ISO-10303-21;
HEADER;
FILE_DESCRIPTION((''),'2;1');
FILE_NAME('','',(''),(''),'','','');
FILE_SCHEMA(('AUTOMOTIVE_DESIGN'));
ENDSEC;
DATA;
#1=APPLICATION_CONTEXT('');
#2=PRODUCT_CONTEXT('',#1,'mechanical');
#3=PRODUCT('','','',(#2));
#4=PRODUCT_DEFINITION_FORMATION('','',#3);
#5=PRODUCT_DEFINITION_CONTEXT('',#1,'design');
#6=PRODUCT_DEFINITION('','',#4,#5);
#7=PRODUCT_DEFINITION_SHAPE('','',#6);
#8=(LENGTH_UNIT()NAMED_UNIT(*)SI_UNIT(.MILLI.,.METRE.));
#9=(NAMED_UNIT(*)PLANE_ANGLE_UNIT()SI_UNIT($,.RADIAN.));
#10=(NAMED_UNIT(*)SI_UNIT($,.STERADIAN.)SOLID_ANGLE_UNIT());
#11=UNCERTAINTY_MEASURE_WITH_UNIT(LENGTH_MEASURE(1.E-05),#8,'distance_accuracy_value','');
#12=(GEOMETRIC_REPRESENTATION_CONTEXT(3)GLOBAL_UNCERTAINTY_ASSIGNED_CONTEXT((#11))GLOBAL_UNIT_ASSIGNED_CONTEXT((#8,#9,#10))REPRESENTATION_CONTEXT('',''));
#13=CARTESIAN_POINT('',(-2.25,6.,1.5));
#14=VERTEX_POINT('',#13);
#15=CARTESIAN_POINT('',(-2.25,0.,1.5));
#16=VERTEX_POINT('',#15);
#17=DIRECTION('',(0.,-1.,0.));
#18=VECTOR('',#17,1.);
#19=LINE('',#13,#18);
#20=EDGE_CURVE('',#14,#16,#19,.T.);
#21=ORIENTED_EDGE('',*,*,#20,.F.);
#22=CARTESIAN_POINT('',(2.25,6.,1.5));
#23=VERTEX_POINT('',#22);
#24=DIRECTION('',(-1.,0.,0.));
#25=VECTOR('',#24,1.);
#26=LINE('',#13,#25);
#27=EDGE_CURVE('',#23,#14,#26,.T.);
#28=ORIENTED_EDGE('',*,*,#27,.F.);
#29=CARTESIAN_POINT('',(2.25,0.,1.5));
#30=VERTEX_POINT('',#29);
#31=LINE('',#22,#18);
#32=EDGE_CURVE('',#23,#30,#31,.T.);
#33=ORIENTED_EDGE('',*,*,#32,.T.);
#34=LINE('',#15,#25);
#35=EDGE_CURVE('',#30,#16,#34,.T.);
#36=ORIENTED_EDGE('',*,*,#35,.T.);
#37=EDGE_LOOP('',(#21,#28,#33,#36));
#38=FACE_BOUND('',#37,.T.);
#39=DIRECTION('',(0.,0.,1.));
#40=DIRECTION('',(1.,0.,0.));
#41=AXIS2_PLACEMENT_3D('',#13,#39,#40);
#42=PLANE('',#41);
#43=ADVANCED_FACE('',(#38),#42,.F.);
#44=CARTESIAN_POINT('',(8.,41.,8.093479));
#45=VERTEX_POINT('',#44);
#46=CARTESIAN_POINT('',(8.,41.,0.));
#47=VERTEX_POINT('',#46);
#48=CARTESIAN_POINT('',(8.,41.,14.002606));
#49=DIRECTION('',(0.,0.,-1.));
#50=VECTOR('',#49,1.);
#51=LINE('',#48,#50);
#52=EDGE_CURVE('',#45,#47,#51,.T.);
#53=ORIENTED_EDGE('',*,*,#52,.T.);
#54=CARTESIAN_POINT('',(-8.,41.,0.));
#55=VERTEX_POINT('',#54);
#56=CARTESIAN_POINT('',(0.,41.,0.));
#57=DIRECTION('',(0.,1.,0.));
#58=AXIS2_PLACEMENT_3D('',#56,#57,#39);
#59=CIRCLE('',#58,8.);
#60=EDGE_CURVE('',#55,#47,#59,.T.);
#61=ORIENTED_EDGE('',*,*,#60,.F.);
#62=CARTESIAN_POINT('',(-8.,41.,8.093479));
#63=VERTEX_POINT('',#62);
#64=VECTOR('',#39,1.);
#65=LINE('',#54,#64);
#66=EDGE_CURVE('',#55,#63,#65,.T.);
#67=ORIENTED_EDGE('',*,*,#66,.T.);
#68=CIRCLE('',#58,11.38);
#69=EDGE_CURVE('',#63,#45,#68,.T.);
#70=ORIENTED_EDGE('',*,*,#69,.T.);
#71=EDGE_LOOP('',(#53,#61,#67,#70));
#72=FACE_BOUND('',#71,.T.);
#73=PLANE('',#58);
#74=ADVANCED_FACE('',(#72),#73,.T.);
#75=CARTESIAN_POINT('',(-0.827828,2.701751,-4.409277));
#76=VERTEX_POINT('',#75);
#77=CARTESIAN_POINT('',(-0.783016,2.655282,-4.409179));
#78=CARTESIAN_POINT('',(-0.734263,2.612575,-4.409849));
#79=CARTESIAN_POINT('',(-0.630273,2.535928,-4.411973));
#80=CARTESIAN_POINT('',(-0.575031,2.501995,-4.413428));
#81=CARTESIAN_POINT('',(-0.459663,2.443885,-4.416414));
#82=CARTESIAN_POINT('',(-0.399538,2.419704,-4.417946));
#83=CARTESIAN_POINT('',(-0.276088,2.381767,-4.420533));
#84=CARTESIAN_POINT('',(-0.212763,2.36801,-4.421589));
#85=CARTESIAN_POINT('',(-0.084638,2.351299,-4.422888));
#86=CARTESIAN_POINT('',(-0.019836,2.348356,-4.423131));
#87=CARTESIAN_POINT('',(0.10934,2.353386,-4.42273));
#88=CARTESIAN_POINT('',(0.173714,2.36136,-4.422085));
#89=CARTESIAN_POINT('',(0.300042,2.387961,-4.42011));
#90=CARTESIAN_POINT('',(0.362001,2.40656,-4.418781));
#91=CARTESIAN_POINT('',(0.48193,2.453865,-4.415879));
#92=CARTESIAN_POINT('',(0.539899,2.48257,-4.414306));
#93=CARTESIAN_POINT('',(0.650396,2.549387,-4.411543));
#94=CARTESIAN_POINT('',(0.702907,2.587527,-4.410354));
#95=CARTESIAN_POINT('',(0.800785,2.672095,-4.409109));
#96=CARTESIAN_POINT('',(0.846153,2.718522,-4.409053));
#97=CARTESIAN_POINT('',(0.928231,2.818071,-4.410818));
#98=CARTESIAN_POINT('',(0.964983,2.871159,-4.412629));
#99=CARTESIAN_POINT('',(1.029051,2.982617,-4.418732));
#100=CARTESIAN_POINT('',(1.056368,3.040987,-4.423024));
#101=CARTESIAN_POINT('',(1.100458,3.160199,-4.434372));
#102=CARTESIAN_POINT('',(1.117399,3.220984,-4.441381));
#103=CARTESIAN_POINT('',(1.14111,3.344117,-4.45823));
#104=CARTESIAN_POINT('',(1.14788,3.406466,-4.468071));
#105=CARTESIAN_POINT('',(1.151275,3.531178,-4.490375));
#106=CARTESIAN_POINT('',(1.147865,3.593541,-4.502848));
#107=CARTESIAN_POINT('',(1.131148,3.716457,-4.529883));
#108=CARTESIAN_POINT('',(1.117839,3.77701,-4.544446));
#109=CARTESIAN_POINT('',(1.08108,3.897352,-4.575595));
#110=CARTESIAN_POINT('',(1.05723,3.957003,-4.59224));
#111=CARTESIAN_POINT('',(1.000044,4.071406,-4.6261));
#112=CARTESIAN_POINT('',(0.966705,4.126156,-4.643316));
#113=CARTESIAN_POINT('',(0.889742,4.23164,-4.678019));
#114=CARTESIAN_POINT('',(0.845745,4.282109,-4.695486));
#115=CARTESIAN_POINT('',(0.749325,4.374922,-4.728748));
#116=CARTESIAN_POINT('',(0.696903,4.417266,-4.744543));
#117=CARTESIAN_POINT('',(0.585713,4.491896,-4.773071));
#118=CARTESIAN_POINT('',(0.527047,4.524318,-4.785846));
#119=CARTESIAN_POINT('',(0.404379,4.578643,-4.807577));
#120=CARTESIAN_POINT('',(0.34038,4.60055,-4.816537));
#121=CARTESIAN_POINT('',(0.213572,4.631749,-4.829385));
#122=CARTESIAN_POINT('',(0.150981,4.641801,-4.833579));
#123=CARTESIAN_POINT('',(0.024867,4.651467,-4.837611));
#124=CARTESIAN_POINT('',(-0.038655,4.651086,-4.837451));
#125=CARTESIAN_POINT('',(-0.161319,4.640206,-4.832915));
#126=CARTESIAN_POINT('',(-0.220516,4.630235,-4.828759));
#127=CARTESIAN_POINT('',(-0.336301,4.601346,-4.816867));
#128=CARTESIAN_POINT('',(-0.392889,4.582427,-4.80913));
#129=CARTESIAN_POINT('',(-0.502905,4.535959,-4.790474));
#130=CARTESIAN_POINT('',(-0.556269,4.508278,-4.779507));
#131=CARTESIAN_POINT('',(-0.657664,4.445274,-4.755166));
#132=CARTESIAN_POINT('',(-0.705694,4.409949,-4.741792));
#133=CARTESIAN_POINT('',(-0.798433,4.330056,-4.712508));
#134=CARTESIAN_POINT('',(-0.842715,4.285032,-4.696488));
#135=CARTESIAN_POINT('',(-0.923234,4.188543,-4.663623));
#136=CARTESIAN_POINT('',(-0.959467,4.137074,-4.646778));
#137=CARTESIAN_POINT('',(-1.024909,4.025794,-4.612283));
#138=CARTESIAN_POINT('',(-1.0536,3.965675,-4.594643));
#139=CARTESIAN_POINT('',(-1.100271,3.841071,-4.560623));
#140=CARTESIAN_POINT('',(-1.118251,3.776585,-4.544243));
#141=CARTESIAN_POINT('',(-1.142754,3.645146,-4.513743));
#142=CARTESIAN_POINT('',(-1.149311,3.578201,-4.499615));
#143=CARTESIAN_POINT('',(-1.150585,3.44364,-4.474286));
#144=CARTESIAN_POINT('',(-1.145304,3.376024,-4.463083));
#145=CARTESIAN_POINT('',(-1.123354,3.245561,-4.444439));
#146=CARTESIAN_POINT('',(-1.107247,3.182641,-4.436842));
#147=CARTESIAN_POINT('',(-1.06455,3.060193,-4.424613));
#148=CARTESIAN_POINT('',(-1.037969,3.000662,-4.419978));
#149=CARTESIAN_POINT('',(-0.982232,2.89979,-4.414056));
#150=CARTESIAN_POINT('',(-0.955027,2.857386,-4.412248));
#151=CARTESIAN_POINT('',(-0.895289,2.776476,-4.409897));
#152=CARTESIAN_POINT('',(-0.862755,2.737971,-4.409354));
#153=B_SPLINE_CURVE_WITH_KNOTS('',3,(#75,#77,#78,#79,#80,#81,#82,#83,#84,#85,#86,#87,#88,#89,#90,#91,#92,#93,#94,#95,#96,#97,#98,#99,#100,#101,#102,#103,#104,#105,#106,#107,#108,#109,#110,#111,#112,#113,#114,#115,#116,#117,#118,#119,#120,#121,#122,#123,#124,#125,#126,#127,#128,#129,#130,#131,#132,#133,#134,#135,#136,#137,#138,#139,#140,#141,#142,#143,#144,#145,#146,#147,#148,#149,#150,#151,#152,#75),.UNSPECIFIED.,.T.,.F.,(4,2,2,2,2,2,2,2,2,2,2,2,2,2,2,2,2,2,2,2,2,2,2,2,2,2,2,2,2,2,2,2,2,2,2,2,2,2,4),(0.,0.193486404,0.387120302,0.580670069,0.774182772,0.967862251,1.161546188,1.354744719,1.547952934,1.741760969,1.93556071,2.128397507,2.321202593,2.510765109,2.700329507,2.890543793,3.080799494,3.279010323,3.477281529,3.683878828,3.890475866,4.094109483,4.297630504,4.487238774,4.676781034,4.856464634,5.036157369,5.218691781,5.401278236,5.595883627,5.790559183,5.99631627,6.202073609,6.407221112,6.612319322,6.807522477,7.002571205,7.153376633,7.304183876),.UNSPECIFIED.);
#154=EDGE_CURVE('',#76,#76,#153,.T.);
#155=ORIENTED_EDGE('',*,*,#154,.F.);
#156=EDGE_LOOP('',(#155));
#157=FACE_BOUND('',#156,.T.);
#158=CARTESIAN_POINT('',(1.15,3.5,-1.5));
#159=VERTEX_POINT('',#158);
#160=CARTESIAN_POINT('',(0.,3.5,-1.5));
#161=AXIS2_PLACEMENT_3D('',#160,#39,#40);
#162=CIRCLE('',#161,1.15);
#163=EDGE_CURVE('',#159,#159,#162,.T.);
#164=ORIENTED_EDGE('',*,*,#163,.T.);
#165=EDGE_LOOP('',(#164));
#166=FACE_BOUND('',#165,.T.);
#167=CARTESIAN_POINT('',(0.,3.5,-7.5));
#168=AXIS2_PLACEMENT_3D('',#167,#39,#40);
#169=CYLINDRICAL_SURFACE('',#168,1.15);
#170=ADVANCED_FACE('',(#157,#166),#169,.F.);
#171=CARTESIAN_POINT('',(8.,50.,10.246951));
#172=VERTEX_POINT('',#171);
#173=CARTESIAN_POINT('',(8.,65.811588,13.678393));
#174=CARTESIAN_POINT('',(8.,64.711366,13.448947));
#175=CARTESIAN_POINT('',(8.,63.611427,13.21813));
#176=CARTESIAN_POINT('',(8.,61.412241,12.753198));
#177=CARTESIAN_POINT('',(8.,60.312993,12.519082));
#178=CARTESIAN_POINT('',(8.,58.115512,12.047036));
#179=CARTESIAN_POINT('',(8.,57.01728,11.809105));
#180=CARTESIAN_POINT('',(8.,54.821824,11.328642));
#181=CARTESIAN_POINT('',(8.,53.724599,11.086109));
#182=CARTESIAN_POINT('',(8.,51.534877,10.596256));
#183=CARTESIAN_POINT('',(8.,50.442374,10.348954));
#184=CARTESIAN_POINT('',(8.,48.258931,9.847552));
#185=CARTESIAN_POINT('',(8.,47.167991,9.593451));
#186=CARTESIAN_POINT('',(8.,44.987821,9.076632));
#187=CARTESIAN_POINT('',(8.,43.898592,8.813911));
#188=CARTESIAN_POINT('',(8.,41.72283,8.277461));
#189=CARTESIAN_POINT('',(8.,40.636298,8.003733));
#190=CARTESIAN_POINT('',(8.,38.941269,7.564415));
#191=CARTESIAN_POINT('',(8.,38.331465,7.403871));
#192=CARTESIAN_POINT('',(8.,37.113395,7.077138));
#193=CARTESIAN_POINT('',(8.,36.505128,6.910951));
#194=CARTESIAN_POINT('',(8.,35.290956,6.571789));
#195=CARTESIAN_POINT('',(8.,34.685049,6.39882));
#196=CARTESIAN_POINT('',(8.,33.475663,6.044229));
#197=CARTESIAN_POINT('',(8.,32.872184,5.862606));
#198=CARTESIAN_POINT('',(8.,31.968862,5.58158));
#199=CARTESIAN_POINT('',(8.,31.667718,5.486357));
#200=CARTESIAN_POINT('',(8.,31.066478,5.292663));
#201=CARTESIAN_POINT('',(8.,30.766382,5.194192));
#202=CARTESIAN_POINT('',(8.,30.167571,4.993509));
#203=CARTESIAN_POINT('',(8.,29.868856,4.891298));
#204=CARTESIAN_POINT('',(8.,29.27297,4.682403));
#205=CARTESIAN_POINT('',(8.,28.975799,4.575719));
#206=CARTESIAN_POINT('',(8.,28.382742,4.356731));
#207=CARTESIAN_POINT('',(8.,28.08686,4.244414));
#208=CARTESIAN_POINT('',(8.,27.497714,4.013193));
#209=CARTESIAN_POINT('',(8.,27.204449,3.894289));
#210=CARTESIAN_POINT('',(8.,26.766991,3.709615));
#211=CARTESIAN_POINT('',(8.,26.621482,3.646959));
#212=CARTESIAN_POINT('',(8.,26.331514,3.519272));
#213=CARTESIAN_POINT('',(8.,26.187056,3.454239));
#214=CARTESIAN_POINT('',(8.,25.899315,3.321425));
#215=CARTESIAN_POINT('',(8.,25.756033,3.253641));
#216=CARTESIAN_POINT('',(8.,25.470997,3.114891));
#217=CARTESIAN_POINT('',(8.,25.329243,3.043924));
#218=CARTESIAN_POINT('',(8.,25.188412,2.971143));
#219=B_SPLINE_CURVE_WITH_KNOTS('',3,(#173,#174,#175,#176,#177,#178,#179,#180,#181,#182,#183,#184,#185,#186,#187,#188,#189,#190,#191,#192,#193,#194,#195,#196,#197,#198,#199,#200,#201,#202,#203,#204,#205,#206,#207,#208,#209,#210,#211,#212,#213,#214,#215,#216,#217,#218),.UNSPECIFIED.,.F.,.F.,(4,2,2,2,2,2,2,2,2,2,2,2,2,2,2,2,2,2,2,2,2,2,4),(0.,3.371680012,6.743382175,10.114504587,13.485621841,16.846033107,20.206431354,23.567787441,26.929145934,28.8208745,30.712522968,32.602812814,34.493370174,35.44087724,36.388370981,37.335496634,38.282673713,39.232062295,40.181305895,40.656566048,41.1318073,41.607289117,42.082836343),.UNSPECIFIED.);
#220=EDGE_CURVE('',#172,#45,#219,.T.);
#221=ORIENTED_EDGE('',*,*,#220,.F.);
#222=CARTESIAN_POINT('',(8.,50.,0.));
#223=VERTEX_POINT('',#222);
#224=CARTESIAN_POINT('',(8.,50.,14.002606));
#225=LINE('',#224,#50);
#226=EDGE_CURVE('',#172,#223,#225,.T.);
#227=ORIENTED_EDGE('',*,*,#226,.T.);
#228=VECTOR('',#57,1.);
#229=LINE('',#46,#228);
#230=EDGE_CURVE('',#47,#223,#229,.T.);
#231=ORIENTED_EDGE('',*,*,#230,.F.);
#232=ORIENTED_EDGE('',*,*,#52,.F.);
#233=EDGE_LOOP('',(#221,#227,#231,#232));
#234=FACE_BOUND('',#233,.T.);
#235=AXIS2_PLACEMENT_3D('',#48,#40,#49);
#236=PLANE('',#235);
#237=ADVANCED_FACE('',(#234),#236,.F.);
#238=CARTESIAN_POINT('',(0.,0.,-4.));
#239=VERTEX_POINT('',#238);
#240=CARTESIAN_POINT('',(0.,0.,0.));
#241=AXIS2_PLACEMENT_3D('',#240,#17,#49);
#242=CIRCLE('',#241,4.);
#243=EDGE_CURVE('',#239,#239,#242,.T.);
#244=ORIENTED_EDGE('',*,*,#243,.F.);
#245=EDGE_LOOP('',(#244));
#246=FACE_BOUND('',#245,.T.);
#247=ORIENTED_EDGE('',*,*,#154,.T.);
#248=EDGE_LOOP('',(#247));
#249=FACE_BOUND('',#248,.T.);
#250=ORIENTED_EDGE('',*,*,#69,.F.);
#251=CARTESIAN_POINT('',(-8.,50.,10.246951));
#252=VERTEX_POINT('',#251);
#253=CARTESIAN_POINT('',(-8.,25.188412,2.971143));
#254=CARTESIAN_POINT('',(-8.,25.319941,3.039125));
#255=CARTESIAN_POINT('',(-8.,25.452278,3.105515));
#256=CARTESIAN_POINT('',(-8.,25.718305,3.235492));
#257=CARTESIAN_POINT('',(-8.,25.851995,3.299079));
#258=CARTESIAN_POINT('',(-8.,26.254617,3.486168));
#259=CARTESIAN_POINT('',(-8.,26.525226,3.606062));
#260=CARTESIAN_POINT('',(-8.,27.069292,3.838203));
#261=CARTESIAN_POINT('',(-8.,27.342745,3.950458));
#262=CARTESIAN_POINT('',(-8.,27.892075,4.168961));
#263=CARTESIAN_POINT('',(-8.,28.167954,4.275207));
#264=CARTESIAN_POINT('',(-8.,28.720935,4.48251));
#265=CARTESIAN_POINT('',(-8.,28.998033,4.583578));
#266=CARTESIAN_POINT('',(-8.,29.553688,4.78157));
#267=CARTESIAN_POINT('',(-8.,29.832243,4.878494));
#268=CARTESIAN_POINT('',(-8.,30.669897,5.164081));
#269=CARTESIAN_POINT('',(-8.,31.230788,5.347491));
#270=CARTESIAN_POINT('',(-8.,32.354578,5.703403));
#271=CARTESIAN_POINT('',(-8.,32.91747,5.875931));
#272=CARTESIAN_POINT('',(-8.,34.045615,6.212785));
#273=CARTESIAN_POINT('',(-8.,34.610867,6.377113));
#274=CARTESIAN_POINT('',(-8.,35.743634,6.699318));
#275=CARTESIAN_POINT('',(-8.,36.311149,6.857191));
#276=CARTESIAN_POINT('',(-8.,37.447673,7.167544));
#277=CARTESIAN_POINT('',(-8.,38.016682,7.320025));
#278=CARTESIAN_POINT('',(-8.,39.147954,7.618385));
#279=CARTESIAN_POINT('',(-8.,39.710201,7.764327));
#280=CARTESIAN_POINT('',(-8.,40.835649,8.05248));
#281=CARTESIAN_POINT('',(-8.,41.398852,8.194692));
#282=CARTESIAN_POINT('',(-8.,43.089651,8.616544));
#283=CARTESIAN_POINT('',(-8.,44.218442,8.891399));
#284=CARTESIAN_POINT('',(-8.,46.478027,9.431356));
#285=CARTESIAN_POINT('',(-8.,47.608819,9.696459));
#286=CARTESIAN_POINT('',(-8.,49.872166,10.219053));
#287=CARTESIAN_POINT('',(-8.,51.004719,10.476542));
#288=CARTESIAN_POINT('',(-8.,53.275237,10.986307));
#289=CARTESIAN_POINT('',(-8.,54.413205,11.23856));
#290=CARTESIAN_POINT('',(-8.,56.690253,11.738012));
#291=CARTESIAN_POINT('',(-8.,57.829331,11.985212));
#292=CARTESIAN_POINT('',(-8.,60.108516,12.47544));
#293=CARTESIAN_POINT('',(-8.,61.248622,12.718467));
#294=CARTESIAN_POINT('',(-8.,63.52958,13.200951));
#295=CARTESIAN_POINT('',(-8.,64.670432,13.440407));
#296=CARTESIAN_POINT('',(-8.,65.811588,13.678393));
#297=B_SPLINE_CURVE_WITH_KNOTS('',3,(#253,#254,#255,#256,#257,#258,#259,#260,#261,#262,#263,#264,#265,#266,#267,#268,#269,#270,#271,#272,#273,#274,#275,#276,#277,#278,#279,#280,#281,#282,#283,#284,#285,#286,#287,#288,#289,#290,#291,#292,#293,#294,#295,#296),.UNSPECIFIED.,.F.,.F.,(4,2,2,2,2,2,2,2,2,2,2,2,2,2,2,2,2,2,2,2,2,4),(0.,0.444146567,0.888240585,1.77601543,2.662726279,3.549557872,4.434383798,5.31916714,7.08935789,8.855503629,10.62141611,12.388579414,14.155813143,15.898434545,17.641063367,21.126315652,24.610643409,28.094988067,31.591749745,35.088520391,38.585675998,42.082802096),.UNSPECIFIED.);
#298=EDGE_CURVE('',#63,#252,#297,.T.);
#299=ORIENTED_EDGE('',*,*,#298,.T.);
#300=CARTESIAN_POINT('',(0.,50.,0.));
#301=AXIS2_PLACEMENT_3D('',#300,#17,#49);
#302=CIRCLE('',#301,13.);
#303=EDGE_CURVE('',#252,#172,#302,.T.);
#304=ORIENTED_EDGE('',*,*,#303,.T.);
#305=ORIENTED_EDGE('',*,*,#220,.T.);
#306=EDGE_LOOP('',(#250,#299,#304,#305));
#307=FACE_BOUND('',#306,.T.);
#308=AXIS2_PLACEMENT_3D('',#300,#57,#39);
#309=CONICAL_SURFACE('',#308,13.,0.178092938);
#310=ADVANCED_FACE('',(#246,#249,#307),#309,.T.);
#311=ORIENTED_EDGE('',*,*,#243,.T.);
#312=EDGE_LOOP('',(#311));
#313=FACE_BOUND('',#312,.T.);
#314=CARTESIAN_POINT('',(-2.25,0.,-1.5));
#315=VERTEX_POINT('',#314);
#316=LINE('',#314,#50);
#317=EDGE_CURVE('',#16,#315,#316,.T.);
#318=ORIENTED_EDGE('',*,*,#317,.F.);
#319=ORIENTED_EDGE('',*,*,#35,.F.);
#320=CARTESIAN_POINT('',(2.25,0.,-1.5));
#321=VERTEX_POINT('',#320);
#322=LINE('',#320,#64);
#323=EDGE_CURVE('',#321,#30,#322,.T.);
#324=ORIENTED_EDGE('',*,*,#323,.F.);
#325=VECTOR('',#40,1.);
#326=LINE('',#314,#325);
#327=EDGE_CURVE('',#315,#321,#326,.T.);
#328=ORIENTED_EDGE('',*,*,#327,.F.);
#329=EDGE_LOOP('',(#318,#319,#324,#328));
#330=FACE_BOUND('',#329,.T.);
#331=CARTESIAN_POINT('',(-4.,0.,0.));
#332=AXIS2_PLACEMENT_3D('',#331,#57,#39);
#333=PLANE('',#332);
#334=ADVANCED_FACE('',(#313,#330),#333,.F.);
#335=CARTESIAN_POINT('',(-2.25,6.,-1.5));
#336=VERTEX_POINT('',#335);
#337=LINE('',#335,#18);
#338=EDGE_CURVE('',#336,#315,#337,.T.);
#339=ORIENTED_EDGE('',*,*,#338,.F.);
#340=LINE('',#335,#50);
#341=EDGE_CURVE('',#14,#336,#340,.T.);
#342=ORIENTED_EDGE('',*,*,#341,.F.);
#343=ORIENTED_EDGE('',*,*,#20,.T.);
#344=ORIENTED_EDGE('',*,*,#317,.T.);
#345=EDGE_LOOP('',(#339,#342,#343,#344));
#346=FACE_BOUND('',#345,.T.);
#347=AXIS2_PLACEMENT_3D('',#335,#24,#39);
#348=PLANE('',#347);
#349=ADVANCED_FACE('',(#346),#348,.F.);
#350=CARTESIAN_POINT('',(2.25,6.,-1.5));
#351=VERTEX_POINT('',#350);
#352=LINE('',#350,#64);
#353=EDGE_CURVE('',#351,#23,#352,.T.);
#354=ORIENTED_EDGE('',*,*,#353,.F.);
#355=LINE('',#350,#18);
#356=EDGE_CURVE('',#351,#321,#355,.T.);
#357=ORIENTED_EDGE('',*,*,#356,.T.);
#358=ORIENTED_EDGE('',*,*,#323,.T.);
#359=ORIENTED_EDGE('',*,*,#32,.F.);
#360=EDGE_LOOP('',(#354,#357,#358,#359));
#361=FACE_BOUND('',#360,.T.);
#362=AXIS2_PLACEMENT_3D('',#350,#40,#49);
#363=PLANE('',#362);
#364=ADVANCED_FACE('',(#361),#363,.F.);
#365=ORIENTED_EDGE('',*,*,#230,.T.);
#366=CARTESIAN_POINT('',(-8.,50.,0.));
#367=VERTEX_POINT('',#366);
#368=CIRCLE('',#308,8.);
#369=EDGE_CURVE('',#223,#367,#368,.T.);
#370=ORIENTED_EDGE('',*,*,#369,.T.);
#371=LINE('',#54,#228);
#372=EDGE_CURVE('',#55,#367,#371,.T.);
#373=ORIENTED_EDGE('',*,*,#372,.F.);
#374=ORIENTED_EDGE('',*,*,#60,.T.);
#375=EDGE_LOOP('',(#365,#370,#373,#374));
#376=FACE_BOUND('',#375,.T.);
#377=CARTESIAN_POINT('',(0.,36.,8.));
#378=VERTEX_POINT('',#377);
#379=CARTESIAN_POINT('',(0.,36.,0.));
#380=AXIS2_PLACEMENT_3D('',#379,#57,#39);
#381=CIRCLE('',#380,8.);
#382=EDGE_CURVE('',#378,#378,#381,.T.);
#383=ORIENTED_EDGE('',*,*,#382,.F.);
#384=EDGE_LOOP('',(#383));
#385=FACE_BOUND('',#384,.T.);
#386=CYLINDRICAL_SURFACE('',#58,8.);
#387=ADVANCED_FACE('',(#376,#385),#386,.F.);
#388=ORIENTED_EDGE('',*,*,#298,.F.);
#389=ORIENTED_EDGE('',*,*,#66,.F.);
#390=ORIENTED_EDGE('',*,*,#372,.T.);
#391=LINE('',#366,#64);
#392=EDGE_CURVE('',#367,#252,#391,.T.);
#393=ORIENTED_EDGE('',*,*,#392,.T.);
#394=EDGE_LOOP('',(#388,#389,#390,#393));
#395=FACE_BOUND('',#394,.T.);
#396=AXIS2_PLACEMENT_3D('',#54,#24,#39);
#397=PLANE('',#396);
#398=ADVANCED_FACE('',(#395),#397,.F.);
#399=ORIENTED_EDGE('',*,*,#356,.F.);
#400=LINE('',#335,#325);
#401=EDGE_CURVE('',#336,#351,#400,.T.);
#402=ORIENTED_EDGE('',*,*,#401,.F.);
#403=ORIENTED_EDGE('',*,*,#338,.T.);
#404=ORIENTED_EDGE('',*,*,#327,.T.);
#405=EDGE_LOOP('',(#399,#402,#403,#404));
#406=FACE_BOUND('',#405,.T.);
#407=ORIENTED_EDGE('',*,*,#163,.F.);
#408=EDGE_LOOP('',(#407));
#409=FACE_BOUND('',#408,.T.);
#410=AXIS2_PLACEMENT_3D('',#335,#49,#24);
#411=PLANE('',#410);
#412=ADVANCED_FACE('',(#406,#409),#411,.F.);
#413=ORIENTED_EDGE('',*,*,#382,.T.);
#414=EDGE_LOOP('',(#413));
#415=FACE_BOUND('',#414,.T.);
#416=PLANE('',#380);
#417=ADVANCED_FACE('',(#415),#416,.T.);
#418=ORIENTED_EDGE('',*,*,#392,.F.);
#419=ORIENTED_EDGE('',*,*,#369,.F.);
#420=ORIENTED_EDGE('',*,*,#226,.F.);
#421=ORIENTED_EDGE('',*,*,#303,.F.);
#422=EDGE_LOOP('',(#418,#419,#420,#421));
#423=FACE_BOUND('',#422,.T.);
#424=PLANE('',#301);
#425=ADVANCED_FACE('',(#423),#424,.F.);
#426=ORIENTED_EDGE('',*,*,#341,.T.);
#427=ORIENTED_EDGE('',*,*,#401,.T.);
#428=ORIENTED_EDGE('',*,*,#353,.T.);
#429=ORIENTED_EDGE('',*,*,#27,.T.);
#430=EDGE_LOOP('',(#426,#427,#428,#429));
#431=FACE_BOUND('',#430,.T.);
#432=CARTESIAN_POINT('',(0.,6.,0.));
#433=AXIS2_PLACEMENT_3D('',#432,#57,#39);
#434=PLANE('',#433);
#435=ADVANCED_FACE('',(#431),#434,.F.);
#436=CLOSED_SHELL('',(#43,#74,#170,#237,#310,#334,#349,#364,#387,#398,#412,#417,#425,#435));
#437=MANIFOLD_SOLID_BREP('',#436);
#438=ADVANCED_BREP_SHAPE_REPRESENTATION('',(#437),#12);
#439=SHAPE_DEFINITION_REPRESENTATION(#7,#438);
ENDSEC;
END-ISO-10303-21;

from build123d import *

# Parameters (mm, degrees)
SKETCH2_W          = 4.5
SKETCH2_H          = 3
CUT_EXTRUDE1_DEPTH = 6
SKETCH3_R          = 1.15
CUT_EXTRUDE2_DEPTH = 6
CUT_EXTRUDE3_DEPTH = 9
SKETCH5_R          = 8
CUT_EXTRUDE4_DEPTH = 5


with BuildPart() as part:
    # Sketch1 → Revolve1 (revolve)
    with BuildSketch(Plane.XY):
        Polygon((0, 50), (-13, 50), (-4, 0), (0, 0), align=None)
    revolve(axis=Axis((0, 0, 0), (0, 1, 0)))

    # Sketch2 → Cut-Extrude1 (cut)
    with BuildSketch(Plane.XZ):
        Rectangle(SKETCH2_W, SKETCH2_H)
    extrude(amount=-CUT_EXTRUDE1_DEPTH, mode=Mode.SUBTRACT)

    # Sketch3 → Cut-Extrude2 (cut)
    with BuildSketch(Plane.XY.offset(-1.5)):
        with Locations((0, 3.5)):
            Circle(SKETCH3_R)
    extrude(amount=-CUT_EXTRUDE2_DEPTH, mode=Mode.SUBTRACT)

    # Sketch4 → Cut-Extrude3 (cut)
    with BuildSketch(Plane(origin=(0, 50, 0), x_dir=(1, 0, 0), z_dir=(0, 1, 0))):
        with BuildLine():
            Line((-8, 0), (-8, -14.002606367))
            Line((-8, -14.002606367), (8, -14.002606367))
            Line((8, -14.002606367), (8, 0))
            ThreePointArc((8, 0), (0, 8), (-8, 0))
        make_face()
    extrude(amount=-CUT_EXTRUDE3_DEPTH, mode=Mode.SUBTRACT)

    # Sketch5 → Cut-Extrude4 (cut)
    with BuildSketch(Plane(origin=(0, 41, 0), x_dir=(1, 0, 0), z_dir=(0, 1, 0))):
        Circle(SKETCH5_R)
    extrude(amount=-CUT_EXTRUDE4_DEPTH, mode=Mode.SUBTRACT)


solid = part.part
